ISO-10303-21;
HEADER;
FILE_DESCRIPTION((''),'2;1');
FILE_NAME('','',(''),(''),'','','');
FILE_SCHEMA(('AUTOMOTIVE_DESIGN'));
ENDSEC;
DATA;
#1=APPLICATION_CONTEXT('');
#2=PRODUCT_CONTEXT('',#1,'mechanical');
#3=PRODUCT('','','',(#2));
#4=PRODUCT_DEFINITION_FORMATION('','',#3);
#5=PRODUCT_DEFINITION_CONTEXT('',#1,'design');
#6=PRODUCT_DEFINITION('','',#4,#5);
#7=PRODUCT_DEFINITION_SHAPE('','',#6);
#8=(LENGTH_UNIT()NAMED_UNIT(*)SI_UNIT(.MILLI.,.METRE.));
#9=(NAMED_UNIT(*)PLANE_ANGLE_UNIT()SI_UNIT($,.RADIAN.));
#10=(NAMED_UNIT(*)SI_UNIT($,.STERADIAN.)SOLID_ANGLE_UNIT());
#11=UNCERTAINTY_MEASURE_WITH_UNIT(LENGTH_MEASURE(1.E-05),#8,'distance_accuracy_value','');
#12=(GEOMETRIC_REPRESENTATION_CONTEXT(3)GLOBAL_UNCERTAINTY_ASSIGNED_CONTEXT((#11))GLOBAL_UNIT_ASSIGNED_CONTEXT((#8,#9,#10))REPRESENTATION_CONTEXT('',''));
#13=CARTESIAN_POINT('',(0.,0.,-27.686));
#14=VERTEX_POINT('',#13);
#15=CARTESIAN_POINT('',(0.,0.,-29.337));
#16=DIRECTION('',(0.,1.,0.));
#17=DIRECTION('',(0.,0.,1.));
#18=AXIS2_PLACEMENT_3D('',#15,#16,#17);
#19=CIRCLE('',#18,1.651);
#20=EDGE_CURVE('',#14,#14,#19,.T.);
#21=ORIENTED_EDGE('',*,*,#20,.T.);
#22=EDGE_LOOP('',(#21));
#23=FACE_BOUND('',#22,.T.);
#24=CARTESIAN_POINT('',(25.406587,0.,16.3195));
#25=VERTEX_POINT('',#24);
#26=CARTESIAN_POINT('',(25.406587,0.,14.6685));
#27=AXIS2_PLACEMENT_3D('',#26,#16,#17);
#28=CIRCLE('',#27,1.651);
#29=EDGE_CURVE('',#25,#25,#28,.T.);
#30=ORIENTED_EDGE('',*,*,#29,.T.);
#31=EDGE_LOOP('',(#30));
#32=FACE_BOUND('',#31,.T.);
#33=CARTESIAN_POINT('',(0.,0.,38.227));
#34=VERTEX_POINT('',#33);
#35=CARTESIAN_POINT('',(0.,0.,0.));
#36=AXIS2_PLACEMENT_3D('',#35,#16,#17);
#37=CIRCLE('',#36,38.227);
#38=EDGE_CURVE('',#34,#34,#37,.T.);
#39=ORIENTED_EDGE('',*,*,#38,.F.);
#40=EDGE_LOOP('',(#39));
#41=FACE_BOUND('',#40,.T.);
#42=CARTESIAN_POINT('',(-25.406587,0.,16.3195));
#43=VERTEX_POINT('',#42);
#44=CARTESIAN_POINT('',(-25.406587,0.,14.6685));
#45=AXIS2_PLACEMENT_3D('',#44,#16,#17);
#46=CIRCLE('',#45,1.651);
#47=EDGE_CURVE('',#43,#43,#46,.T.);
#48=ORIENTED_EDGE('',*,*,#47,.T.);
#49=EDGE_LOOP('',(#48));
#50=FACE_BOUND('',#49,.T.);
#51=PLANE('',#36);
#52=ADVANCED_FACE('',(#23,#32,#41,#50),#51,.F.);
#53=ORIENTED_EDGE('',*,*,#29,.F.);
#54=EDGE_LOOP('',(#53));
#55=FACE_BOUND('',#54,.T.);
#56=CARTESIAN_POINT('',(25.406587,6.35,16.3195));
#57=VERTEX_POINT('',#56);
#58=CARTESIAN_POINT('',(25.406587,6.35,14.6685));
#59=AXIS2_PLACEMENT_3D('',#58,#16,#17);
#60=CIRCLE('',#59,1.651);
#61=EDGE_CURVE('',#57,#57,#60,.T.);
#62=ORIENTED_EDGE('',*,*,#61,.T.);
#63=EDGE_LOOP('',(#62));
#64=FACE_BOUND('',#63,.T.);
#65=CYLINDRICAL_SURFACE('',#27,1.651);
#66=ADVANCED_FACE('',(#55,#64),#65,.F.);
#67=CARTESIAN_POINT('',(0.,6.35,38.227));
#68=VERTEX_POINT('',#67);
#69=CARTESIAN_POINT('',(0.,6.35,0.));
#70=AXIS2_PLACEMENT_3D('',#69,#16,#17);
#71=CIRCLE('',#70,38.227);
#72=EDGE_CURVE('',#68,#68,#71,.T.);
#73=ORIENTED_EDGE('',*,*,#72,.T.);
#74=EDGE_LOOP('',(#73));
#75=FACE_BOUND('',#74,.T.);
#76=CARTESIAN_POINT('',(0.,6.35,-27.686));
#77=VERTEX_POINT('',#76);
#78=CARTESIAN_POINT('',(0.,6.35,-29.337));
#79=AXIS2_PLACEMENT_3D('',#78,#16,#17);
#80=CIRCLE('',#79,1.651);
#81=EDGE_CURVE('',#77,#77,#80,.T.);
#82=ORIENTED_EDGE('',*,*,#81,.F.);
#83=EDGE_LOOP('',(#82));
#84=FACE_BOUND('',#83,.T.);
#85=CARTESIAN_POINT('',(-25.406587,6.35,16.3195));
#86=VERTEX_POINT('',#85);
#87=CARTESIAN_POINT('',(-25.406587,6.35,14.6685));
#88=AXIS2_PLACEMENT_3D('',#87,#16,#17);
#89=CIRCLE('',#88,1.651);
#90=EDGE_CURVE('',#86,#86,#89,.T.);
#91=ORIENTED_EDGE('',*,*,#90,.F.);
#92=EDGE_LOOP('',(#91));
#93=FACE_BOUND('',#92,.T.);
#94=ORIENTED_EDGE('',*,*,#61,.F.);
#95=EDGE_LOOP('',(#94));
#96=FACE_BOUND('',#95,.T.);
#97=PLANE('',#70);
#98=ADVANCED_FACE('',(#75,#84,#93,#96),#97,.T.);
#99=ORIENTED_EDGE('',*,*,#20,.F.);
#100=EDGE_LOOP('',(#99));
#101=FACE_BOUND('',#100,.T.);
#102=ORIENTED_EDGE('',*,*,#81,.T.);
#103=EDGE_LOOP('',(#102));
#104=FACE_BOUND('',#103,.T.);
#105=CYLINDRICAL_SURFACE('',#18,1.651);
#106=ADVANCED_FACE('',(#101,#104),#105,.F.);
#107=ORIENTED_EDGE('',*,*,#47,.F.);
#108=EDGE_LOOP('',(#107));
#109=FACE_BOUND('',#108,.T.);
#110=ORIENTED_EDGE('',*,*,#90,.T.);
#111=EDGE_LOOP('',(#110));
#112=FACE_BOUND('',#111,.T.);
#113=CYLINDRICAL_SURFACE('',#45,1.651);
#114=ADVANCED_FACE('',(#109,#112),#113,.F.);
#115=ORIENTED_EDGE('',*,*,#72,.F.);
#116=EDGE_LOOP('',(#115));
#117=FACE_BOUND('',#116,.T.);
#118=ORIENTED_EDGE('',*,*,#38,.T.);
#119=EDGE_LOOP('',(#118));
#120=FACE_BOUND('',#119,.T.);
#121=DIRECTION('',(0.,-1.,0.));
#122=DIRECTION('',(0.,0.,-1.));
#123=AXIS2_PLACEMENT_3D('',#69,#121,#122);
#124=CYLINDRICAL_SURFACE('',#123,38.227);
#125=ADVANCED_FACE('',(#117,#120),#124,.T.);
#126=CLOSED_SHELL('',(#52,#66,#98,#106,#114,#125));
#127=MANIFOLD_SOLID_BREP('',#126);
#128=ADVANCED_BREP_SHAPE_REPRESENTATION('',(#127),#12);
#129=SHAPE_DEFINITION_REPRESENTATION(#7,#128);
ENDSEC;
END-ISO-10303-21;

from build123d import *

# Parameters (mm, degrees)
SKETCH1_R           = 38.227
BOSS_EXTRUDE1_DEPTH = 6.35
SKETCH2_R           = 1.651
CUT_EXTRUDE1_DEPTH  = 7.35


with BuildPart() as part:
    # Sketch1 → Boss-Extrude1 (new body)
    with BuildSketch(Plane(origin=(0, 0, 0), x_dir=(1, 0, 0), z_dir=(0, 1, 0))):
        Circle(SKETCH1_R)
    extrude(amount=BOSS_EXTRUDE1_DEPTH)

    # Sketch2 → Cut-Extrude1 (cut, through all)
    with BuildSketch(Plane(origin=(0, 6.35, 0), x_dir=(1, 0, 0), z_dir=(0, 1, 0))):
        with Locations((0, 29.337)):
            Circle(SKETCH2_R)
        with Locations((25.406587271, -14.6685)):
            Circle(SKETCH2_R)
        with Locations((-25.406587271, -14.6685)):
            Circle(SKETCH2_R)
    extrude(amount=-CUT_EXTRUDE1_DEPTH, mode=Mode.SUBTRACT)


solid = part.part
